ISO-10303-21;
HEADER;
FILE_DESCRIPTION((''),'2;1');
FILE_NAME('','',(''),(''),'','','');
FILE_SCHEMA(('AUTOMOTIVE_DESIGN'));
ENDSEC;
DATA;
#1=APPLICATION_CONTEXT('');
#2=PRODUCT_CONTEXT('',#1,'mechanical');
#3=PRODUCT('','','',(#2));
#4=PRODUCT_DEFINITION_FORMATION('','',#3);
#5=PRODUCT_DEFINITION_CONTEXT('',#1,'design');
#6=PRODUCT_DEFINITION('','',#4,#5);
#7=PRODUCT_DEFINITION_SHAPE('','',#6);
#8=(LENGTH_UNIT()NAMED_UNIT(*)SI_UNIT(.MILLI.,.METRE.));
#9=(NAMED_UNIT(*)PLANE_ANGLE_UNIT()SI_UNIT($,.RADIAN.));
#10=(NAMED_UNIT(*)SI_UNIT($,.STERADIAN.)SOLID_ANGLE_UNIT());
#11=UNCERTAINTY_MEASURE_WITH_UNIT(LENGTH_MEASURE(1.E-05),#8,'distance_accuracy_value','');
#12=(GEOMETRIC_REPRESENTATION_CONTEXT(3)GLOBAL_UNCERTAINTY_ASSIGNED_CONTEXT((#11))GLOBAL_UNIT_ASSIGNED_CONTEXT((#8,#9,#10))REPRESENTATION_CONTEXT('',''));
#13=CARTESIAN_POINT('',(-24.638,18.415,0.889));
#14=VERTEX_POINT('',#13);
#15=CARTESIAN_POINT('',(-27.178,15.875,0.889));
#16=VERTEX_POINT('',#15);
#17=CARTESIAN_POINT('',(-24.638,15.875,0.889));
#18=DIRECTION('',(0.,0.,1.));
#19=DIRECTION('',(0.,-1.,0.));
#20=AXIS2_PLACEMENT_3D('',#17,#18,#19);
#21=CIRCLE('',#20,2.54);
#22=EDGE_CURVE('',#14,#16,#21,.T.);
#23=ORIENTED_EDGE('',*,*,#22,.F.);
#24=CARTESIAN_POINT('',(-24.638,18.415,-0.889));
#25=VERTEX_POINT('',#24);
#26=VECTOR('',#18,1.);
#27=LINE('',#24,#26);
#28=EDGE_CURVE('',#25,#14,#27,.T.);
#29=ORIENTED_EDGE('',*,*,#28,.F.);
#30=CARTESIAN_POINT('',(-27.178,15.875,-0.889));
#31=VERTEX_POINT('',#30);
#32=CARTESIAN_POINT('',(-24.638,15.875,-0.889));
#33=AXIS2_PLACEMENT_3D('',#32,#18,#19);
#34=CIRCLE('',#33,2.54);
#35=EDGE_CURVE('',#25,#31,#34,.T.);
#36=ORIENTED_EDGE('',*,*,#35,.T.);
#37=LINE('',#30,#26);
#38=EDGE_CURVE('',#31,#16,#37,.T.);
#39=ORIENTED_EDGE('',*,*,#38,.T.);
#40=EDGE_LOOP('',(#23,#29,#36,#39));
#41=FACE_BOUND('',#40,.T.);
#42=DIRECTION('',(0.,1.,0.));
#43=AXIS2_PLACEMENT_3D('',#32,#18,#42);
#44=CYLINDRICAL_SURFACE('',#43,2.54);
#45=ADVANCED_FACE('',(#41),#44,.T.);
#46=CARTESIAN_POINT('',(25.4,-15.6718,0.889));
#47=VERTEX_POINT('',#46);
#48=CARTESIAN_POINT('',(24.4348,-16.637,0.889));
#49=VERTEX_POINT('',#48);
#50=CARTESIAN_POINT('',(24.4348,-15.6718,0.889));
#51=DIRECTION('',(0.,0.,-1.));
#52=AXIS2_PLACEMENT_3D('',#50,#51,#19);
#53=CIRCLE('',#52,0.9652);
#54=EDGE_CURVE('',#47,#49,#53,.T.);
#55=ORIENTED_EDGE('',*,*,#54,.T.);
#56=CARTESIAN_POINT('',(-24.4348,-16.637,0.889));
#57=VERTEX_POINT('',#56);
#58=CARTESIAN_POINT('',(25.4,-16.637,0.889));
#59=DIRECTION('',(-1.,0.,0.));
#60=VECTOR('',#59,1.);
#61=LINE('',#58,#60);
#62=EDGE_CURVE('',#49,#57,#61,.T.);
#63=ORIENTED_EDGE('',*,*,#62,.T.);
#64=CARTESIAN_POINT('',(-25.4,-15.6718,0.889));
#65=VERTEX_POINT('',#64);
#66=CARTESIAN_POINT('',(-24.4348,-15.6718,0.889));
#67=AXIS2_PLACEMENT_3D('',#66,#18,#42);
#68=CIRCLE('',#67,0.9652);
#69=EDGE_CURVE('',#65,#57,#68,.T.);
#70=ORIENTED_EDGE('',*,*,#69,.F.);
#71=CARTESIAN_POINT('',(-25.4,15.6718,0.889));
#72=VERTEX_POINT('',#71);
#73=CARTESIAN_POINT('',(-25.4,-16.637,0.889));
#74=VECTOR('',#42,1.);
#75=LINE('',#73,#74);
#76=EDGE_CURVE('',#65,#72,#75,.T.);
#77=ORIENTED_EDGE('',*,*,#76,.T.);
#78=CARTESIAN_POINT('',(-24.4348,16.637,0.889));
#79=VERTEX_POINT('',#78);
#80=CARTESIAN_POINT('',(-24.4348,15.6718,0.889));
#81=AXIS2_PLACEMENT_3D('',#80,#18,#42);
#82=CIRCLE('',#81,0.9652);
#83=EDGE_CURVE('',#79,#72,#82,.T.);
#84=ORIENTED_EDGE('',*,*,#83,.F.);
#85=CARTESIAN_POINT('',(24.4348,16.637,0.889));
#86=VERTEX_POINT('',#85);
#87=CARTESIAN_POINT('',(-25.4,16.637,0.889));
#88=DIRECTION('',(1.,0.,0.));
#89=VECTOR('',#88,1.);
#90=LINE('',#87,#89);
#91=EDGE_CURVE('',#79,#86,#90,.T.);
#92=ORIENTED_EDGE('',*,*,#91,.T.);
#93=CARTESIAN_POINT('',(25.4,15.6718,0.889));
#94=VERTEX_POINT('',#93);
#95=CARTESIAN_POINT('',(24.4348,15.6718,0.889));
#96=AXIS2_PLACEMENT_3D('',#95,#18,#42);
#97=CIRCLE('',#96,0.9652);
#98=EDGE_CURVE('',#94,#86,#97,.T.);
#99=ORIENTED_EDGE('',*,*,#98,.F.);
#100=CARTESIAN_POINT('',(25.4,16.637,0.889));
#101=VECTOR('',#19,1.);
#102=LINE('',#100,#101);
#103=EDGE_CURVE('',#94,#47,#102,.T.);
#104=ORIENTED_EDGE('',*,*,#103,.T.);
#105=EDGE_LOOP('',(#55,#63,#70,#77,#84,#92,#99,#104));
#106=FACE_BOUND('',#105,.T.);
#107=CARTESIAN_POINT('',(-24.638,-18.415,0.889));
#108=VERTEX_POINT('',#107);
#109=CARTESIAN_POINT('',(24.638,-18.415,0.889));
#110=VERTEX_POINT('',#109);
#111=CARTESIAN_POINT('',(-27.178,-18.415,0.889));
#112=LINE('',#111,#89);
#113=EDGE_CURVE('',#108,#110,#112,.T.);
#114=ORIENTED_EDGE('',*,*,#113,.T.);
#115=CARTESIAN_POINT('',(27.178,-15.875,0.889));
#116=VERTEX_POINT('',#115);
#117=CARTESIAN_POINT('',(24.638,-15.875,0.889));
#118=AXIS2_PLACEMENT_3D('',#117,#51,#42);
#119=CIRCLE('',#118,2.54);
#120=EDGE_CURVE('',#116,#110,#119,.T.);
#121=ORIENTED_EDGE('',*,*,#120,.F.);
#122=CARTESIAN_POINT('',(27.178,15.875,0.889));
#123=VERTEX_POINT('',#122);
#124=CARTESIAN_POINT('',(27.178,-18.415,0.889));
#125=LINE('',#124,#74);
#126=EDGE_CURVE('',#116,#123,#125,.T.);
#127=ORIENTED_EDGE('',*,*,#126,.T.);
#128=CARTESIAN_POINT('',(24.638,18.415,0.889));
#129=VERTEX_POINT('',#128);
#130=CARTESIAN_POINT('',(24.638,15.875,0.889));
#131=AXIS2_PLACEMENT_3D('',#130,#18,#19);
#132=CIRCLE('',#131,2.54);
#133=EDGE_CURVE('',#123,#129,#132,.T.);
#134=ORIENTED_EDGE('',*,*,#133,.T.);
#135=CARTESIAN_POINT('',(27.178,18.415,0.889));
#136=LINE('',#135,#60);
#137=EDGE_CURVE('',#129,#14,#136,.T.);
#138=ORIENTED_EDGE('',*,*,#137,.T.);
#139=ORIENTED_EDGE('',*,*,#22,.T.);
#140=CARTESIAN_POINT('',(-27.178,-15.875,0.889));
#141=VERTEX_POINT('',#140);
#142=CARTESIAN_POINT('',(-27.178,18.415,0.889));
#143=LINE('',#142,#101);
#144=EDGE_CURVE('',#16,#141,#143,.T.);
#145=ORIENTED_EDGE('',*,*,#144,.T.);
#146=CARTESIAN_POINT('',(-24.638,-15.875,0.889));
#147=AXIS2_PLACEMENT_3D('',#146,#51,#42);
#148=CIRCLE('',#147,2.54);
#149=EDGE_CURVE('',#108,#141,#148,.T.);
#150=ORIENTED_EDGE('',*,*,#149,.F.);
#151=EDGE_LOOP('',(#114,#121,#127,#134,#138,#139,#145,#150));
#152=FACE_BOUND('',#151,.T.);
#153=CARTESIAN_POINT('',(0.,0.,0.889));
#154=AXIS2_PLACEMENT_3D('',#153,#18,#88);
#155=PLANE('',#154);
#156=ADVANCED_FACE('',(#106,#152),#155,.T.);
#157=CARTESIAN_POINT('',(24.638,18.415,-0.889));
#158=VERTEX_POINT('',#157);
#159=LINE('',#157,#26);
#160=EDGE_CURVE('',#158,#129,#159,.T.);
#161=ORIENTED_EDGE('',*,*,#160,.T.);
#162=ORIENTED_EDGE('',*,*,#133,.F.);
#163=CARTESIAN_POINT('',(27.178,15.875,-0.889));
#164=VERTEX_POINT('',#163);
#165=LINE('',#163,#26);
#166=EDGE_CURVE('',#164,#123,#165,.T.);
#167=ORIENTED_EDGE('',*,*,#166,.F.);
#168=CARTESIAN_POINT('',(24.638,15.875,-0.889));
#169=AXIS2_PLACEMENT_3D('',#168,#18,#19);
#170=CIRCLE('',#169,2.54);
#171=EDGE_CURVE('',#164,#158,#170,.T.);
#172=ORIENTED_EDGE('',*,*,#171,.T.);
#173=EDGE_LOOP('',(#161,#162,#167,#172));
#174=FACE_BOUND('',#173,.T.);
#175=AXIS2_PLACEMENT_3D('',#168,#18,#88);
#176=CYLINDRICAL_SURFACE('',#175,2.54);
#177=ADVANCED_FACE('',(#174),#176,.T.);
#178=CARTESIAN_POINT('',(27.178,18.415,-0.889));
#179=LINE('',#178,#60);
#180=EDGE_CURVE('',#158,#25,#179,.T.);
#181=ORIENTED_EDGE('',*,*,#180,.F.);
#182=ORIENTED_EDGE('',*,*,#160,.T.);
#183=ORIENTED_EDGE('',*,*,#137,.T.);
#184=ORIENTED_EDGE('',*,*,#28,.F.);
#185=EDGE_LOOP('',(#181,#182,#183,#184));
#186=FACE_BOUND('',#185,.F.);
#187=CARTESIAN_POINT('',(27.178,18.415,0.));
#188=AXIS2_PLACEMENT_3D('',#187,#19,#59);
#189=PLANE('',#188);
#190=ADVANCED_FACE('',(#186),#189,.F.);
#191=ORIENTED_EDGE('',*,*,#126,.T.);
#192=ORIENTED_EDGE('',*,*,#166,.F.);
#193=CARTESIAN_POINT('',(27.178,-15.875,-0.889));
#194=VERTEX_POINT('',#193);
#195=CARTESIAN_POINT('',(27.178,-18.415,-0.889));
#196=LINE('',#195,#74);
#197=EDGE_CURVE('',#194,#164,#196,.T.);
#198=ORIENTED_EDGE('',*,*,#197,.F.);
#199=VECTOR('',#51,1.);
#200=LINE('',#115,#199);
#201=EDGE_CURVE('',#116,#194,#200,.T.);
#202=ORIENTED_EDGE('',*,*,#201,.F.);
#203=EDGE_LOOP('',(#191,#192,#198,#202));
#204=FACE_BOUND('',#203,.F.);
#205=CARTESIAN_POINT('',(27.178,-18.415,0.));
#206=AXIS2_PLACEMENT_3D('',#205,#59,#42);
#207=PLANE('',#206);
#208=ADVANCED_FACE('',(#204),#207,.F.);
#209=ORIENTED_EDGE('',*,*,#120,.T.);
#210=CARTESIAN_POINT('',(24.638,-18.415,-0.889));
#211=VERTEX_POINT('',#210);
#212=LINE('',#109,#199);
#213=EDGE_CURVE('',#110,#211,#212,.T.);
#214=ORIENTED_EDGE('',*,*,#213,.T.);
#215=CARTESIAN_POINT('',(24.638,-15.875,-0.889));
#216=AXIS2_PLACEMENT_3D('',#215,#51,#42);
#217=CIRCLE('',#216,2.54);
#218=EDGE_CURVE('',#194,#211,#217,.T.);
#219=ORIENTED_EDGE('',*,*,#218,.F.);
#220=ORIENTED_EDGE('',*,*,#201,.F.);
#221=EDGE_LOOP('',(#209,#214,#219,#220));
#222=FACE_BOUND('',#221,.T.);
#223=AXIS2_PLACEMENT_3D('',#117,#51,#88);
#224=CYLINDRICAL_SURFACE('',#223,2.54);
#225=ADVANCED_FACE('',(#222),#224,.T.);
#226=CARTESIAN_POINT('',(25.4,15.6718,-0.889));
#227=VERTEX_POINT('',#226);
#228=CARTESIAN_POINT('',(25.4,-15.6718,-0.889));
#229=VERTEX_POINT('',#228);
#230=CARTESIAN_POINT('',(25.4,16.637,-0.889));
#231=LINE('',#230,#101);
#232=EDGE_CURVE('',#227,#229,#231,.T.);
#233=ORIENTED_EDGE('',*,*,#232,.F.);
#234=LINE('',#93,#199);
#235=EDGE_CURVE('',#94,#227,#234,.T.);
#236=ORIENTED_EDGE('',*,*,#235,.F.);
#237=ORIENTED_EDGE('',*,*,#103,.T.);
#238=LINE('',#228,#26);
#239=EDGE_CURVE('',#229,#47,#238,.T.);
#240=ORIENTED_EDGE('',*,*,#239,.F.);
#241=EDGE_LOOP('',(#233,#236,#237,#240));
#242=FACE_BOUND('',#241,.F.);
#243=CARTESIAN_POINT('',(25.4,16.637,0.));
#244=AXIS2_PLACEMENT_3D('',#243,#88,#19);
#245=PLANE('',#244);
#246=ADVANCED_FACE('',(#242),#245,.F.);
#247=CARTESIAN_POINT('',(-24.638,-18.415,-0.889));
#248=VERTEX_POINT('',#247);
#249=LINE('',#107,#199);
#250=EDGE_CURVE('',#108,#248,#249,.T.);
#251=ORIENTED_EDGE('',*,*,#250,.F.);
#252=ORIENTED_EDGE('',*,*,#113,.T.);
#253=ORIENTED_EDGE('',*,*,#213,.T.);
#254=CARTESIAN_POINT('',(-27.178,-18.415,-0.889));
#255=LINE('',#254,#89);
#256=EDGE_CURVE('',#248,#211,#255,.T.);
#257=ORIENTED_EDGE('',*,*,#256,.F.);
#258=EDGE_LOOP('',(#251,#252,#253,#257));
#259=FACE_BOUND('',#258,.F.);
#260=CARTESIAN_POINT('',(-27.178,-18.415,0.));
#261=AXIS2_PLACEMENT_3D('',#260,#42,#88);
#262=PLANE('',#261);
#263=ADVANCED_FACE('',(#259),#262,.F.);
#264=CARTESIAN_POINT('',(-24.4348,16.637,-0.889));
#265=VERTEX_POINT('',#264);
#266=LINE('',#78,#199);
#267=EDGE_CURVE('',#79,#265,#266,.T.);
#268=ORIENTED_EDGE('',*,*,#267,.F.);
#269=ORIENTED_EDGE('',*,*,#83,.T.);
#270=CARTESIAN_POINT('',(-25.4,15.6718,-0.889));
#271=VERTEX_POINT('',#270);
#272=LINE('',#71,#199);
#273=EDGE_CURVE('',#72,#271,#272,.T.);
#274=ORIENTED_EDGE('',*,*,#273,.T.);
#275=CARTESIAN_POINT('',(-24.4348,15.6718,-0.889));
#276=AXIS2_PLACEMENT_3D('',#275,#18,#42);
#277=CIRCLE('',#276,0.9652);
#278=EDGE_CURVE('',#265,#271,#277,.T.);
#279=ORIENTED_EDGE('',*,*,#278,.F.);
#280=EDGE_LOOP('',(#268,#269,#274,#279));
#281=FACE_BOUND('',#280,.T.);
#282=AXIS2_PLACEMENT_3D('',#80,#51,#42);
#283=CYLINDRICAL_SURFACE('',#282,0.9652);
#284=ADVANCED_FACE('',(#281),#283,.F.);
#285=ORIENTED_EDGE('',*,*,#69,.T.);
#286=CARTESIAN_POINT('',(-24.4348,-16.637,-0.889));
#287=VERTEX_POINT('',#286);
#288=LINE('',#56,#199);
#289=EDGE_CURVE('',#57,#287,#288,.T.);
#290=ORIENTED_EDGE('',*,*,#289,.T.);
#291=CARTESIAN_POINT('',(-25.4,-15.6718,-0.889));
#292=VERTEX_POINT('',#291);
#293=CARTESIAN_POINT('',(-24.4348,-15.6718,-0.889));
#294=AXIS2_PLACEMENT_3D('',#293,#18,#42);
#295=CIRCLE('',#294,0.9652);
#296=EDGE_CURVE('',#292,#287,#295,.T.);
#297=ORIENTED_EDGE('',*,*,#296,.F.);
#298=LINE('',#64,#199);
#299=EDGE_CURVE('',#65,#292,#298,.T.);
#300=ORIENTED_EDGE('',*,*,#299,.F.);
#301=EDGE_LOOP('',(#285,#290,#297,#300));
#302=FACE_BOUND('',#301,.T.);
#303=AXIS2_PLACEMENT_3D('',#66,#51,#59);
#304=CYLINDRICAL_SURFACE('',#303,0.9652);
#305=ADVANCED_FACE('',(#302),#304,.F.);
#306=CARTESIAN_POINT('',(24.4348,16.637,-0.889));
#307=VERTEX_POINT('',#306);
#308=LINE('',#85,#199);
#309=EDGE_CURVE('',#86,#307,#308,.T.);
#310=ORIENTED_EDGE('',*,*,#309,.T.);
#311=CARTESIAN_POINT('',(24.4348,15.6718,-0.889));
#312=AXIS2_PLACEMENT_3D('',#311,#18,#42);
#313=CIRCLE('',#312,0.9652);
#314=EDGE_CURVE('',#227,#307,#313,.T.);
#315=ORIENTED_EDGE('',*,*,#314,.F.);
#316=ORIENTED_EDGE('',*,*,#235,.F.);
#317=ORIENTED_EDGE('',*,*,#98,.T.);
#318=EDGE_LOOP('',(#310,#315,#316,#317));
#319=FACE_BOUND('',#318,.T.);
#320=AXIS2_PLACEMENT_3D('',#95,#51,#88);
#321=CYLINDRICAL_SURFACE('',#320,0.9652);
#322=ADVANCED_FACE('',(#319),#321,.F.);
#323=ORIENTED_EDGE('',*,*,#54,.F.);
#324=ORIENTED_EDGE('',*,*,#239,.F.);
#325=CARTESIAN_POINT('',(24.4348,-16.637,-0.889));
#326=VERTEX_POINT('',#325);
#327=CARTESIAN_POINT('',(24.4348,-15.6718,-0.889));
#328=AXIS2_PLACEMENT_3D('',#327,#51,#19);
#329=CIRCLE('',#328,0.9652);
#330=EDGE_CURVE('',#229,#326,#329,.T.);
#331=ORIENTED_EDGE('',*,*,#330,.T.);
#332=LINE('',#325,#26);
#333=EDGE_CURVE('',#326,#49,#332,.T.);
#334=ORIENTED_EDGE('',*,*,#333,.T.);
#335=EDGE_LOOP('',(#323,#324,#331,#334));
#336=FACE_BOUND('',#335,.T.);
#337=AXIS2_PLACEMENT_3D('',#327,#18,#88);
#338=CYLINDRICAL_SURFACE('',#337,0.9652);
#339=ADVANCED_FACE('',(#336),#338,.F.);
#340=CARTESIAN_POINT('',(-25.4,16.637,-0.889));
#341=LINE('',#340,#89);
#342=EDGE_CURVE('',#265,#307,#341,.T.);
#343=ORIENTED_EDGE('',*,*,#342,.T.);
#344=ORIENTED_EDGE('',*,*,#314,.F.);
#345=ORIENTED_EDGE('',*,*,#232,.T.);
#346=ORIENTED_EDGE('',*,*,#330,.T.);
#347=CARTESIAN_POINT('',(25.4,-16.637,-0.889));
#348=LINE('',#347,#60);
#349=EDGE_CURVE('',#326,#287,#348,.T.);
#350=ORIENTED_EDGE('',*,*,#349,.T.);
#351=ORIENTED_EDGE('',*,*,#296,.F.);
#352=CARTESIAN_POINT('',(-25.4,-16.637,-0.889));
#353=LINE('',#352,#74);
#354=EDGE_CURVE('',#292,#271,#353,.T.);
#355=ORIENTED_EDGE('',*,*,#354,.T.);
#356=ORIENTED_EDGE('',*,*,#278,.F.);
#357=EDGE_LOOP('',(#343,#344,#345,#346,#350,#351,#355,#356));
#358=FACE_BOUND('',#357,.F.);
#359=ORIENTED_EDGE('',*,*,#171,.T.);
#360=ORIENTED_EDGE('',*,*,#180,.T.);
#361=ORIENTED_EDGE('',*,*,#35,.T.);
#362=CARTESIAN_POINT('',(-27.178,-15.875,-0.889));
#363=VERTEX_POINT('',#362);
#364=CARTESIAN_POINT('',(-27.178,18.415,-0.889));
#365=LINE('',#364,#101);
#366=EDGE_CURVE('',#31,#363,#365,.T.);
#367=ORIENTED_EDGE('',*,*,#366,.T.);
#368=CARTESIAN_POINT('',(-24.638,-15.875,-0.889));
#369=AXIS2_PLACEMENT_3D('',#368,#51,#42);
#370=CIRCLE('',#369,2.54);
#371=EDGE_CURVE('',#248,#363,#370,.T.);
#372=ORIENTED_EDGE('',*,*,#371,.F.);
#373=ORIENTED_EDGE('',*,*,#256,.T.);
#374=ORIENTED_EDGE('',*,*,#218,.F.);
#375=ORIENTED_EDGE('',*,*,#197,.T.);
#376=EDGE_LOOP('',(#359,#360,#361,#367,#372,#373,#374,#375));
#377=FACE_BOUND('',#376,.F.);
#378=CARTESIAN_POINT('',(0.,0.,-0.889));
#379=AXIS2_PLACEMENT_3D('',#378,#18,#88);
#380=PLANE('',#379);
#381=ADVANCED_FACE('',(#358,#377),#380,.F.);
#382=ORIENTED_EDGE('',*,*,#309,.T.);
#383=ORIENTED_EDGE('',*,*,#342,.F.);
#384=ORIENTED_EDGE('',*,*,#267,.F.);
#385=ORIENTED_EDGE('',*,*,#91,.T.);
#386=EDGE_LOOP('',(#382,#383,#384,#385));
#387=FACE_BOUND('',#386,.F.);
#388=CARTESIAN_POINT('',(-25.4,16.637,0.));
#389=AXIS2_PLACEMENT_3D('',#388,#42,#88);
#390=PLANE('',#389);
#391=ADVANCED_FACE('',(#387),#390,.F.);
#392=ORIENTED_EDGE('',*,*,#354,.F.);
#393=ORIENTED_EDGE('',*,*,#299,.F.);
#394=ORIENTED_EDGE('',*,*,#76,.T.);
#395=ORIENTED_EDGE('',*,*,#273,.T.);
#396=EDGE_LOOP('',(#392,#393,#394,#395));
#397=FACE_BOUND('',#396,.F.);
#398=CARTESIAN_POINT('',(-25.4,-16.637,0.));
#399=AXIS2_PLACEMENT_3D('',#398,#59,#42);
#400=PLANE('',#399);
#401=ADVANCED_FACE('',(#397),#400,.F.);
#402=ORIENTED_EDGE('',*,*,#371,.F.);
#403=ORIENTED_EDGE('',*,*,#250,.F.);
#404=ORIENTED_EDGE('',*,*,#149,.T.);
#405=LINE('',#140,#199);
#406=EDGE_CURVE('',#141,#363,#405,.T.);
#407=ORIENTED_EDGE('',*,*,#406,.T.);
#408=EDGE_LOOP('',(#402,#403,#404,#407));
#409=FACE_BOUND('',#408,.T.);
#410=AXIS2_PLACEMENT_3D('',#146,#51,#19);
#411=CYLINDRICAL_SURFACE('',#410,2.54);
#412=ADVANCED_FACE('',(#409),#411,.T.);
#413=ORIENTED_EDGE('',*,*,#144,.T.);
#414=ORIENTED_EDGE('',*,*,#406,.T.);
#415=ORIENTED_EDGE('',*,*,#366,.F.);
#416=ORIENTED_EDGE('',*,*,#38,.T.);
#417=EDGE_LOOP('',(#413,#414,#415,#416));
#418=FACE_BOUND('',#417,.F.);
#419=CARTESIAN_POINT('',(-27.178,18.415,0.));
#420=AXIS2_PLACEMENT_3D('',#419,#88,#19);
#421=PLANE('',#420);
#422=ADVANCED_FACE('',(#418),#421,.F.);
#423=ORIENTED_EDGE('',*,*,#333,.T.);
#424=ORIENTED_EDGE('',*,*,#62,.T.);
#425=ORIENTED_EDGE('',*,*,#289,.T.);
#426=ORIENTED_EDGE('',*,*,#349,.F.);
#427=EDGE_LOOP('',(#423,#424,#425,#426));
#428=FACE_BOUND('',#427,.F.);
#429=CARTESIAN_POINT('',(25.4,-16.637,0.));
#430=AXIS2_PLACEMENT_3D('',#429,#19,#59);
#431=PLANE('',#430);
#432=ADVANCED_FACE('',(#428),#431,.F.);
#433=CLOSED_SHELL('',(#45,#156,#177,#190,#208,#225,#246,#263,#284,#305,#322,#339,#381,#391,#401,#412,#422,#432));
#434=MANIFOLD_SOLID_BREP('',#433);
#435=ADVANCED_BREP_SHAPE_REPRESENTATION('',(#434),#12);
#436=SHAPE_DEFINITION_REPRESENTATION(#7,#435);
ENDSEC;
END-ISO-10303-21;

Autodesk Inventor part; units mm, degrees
ref_plane "YZ Plane" through (0, 0, 0) normal (1, 0, 0) x (0, 1, 0)
ref_plane "XZ Plane" through (0, 0, 0) normal (0, 1, 0) x (-1, 0, 0)
ref_plane "XY Plane" through (0, 0, 0) normal (0, 0, 1) x (1, 0, 0)
sketch "Sketch1" plane through (0, 0, 0) normal (0, 0, 1) x (1, 0, 0)
  line L0 (25.4, -16.637) -> (-25.4, -16.637)
  line L1 (-25.4, -16.637) -> (-25.4, 16.637)
  line L2 (-25.4, 16.637) -> (25.4, 16.637)
  line L3 (25.4, 16.637) -> (25.4, -16.637)
  line L4 (25.4, -16.637) -> (-25.4, 16.637) construction
  line L5 (-25.4, -16.637) -> (25.4, 16.637) construction
  line L6 (27.178, 18.415) -> (-27.178, 18.415)
  line L7 (-27.178, 18.415) -> (-27.178, -18.415)
  line L8 (-27.178, -18.415) -> (27.178, -18.415)
  line L9 (27.178, -18.415) -> (27.178, 18.415)
  point P0 (0, 0)
  dimension "d0" = 50.8
  dimension "d1" = 33.274
  dimension "d2" = 1.778
extrude "Extrusion1" add sketch "Sketch1" along normal mid plane 1.778
fillet "Fillet1" radius 0.9652 4 edges at (25.4, 16.637, 0) (25.4, -16.637, 0) (-25.4, -16.637, 0) (-25.4, 16.637, 0)
fillet "Fillet1" radius 2.54 4 edges at (27.178, -18.415, 0) (27.178, 18.415, 0) (-27.178, 18.415, 0) (-27.178, -18.415, 0)
properties part number "O-Ring Dash 034 Square"
